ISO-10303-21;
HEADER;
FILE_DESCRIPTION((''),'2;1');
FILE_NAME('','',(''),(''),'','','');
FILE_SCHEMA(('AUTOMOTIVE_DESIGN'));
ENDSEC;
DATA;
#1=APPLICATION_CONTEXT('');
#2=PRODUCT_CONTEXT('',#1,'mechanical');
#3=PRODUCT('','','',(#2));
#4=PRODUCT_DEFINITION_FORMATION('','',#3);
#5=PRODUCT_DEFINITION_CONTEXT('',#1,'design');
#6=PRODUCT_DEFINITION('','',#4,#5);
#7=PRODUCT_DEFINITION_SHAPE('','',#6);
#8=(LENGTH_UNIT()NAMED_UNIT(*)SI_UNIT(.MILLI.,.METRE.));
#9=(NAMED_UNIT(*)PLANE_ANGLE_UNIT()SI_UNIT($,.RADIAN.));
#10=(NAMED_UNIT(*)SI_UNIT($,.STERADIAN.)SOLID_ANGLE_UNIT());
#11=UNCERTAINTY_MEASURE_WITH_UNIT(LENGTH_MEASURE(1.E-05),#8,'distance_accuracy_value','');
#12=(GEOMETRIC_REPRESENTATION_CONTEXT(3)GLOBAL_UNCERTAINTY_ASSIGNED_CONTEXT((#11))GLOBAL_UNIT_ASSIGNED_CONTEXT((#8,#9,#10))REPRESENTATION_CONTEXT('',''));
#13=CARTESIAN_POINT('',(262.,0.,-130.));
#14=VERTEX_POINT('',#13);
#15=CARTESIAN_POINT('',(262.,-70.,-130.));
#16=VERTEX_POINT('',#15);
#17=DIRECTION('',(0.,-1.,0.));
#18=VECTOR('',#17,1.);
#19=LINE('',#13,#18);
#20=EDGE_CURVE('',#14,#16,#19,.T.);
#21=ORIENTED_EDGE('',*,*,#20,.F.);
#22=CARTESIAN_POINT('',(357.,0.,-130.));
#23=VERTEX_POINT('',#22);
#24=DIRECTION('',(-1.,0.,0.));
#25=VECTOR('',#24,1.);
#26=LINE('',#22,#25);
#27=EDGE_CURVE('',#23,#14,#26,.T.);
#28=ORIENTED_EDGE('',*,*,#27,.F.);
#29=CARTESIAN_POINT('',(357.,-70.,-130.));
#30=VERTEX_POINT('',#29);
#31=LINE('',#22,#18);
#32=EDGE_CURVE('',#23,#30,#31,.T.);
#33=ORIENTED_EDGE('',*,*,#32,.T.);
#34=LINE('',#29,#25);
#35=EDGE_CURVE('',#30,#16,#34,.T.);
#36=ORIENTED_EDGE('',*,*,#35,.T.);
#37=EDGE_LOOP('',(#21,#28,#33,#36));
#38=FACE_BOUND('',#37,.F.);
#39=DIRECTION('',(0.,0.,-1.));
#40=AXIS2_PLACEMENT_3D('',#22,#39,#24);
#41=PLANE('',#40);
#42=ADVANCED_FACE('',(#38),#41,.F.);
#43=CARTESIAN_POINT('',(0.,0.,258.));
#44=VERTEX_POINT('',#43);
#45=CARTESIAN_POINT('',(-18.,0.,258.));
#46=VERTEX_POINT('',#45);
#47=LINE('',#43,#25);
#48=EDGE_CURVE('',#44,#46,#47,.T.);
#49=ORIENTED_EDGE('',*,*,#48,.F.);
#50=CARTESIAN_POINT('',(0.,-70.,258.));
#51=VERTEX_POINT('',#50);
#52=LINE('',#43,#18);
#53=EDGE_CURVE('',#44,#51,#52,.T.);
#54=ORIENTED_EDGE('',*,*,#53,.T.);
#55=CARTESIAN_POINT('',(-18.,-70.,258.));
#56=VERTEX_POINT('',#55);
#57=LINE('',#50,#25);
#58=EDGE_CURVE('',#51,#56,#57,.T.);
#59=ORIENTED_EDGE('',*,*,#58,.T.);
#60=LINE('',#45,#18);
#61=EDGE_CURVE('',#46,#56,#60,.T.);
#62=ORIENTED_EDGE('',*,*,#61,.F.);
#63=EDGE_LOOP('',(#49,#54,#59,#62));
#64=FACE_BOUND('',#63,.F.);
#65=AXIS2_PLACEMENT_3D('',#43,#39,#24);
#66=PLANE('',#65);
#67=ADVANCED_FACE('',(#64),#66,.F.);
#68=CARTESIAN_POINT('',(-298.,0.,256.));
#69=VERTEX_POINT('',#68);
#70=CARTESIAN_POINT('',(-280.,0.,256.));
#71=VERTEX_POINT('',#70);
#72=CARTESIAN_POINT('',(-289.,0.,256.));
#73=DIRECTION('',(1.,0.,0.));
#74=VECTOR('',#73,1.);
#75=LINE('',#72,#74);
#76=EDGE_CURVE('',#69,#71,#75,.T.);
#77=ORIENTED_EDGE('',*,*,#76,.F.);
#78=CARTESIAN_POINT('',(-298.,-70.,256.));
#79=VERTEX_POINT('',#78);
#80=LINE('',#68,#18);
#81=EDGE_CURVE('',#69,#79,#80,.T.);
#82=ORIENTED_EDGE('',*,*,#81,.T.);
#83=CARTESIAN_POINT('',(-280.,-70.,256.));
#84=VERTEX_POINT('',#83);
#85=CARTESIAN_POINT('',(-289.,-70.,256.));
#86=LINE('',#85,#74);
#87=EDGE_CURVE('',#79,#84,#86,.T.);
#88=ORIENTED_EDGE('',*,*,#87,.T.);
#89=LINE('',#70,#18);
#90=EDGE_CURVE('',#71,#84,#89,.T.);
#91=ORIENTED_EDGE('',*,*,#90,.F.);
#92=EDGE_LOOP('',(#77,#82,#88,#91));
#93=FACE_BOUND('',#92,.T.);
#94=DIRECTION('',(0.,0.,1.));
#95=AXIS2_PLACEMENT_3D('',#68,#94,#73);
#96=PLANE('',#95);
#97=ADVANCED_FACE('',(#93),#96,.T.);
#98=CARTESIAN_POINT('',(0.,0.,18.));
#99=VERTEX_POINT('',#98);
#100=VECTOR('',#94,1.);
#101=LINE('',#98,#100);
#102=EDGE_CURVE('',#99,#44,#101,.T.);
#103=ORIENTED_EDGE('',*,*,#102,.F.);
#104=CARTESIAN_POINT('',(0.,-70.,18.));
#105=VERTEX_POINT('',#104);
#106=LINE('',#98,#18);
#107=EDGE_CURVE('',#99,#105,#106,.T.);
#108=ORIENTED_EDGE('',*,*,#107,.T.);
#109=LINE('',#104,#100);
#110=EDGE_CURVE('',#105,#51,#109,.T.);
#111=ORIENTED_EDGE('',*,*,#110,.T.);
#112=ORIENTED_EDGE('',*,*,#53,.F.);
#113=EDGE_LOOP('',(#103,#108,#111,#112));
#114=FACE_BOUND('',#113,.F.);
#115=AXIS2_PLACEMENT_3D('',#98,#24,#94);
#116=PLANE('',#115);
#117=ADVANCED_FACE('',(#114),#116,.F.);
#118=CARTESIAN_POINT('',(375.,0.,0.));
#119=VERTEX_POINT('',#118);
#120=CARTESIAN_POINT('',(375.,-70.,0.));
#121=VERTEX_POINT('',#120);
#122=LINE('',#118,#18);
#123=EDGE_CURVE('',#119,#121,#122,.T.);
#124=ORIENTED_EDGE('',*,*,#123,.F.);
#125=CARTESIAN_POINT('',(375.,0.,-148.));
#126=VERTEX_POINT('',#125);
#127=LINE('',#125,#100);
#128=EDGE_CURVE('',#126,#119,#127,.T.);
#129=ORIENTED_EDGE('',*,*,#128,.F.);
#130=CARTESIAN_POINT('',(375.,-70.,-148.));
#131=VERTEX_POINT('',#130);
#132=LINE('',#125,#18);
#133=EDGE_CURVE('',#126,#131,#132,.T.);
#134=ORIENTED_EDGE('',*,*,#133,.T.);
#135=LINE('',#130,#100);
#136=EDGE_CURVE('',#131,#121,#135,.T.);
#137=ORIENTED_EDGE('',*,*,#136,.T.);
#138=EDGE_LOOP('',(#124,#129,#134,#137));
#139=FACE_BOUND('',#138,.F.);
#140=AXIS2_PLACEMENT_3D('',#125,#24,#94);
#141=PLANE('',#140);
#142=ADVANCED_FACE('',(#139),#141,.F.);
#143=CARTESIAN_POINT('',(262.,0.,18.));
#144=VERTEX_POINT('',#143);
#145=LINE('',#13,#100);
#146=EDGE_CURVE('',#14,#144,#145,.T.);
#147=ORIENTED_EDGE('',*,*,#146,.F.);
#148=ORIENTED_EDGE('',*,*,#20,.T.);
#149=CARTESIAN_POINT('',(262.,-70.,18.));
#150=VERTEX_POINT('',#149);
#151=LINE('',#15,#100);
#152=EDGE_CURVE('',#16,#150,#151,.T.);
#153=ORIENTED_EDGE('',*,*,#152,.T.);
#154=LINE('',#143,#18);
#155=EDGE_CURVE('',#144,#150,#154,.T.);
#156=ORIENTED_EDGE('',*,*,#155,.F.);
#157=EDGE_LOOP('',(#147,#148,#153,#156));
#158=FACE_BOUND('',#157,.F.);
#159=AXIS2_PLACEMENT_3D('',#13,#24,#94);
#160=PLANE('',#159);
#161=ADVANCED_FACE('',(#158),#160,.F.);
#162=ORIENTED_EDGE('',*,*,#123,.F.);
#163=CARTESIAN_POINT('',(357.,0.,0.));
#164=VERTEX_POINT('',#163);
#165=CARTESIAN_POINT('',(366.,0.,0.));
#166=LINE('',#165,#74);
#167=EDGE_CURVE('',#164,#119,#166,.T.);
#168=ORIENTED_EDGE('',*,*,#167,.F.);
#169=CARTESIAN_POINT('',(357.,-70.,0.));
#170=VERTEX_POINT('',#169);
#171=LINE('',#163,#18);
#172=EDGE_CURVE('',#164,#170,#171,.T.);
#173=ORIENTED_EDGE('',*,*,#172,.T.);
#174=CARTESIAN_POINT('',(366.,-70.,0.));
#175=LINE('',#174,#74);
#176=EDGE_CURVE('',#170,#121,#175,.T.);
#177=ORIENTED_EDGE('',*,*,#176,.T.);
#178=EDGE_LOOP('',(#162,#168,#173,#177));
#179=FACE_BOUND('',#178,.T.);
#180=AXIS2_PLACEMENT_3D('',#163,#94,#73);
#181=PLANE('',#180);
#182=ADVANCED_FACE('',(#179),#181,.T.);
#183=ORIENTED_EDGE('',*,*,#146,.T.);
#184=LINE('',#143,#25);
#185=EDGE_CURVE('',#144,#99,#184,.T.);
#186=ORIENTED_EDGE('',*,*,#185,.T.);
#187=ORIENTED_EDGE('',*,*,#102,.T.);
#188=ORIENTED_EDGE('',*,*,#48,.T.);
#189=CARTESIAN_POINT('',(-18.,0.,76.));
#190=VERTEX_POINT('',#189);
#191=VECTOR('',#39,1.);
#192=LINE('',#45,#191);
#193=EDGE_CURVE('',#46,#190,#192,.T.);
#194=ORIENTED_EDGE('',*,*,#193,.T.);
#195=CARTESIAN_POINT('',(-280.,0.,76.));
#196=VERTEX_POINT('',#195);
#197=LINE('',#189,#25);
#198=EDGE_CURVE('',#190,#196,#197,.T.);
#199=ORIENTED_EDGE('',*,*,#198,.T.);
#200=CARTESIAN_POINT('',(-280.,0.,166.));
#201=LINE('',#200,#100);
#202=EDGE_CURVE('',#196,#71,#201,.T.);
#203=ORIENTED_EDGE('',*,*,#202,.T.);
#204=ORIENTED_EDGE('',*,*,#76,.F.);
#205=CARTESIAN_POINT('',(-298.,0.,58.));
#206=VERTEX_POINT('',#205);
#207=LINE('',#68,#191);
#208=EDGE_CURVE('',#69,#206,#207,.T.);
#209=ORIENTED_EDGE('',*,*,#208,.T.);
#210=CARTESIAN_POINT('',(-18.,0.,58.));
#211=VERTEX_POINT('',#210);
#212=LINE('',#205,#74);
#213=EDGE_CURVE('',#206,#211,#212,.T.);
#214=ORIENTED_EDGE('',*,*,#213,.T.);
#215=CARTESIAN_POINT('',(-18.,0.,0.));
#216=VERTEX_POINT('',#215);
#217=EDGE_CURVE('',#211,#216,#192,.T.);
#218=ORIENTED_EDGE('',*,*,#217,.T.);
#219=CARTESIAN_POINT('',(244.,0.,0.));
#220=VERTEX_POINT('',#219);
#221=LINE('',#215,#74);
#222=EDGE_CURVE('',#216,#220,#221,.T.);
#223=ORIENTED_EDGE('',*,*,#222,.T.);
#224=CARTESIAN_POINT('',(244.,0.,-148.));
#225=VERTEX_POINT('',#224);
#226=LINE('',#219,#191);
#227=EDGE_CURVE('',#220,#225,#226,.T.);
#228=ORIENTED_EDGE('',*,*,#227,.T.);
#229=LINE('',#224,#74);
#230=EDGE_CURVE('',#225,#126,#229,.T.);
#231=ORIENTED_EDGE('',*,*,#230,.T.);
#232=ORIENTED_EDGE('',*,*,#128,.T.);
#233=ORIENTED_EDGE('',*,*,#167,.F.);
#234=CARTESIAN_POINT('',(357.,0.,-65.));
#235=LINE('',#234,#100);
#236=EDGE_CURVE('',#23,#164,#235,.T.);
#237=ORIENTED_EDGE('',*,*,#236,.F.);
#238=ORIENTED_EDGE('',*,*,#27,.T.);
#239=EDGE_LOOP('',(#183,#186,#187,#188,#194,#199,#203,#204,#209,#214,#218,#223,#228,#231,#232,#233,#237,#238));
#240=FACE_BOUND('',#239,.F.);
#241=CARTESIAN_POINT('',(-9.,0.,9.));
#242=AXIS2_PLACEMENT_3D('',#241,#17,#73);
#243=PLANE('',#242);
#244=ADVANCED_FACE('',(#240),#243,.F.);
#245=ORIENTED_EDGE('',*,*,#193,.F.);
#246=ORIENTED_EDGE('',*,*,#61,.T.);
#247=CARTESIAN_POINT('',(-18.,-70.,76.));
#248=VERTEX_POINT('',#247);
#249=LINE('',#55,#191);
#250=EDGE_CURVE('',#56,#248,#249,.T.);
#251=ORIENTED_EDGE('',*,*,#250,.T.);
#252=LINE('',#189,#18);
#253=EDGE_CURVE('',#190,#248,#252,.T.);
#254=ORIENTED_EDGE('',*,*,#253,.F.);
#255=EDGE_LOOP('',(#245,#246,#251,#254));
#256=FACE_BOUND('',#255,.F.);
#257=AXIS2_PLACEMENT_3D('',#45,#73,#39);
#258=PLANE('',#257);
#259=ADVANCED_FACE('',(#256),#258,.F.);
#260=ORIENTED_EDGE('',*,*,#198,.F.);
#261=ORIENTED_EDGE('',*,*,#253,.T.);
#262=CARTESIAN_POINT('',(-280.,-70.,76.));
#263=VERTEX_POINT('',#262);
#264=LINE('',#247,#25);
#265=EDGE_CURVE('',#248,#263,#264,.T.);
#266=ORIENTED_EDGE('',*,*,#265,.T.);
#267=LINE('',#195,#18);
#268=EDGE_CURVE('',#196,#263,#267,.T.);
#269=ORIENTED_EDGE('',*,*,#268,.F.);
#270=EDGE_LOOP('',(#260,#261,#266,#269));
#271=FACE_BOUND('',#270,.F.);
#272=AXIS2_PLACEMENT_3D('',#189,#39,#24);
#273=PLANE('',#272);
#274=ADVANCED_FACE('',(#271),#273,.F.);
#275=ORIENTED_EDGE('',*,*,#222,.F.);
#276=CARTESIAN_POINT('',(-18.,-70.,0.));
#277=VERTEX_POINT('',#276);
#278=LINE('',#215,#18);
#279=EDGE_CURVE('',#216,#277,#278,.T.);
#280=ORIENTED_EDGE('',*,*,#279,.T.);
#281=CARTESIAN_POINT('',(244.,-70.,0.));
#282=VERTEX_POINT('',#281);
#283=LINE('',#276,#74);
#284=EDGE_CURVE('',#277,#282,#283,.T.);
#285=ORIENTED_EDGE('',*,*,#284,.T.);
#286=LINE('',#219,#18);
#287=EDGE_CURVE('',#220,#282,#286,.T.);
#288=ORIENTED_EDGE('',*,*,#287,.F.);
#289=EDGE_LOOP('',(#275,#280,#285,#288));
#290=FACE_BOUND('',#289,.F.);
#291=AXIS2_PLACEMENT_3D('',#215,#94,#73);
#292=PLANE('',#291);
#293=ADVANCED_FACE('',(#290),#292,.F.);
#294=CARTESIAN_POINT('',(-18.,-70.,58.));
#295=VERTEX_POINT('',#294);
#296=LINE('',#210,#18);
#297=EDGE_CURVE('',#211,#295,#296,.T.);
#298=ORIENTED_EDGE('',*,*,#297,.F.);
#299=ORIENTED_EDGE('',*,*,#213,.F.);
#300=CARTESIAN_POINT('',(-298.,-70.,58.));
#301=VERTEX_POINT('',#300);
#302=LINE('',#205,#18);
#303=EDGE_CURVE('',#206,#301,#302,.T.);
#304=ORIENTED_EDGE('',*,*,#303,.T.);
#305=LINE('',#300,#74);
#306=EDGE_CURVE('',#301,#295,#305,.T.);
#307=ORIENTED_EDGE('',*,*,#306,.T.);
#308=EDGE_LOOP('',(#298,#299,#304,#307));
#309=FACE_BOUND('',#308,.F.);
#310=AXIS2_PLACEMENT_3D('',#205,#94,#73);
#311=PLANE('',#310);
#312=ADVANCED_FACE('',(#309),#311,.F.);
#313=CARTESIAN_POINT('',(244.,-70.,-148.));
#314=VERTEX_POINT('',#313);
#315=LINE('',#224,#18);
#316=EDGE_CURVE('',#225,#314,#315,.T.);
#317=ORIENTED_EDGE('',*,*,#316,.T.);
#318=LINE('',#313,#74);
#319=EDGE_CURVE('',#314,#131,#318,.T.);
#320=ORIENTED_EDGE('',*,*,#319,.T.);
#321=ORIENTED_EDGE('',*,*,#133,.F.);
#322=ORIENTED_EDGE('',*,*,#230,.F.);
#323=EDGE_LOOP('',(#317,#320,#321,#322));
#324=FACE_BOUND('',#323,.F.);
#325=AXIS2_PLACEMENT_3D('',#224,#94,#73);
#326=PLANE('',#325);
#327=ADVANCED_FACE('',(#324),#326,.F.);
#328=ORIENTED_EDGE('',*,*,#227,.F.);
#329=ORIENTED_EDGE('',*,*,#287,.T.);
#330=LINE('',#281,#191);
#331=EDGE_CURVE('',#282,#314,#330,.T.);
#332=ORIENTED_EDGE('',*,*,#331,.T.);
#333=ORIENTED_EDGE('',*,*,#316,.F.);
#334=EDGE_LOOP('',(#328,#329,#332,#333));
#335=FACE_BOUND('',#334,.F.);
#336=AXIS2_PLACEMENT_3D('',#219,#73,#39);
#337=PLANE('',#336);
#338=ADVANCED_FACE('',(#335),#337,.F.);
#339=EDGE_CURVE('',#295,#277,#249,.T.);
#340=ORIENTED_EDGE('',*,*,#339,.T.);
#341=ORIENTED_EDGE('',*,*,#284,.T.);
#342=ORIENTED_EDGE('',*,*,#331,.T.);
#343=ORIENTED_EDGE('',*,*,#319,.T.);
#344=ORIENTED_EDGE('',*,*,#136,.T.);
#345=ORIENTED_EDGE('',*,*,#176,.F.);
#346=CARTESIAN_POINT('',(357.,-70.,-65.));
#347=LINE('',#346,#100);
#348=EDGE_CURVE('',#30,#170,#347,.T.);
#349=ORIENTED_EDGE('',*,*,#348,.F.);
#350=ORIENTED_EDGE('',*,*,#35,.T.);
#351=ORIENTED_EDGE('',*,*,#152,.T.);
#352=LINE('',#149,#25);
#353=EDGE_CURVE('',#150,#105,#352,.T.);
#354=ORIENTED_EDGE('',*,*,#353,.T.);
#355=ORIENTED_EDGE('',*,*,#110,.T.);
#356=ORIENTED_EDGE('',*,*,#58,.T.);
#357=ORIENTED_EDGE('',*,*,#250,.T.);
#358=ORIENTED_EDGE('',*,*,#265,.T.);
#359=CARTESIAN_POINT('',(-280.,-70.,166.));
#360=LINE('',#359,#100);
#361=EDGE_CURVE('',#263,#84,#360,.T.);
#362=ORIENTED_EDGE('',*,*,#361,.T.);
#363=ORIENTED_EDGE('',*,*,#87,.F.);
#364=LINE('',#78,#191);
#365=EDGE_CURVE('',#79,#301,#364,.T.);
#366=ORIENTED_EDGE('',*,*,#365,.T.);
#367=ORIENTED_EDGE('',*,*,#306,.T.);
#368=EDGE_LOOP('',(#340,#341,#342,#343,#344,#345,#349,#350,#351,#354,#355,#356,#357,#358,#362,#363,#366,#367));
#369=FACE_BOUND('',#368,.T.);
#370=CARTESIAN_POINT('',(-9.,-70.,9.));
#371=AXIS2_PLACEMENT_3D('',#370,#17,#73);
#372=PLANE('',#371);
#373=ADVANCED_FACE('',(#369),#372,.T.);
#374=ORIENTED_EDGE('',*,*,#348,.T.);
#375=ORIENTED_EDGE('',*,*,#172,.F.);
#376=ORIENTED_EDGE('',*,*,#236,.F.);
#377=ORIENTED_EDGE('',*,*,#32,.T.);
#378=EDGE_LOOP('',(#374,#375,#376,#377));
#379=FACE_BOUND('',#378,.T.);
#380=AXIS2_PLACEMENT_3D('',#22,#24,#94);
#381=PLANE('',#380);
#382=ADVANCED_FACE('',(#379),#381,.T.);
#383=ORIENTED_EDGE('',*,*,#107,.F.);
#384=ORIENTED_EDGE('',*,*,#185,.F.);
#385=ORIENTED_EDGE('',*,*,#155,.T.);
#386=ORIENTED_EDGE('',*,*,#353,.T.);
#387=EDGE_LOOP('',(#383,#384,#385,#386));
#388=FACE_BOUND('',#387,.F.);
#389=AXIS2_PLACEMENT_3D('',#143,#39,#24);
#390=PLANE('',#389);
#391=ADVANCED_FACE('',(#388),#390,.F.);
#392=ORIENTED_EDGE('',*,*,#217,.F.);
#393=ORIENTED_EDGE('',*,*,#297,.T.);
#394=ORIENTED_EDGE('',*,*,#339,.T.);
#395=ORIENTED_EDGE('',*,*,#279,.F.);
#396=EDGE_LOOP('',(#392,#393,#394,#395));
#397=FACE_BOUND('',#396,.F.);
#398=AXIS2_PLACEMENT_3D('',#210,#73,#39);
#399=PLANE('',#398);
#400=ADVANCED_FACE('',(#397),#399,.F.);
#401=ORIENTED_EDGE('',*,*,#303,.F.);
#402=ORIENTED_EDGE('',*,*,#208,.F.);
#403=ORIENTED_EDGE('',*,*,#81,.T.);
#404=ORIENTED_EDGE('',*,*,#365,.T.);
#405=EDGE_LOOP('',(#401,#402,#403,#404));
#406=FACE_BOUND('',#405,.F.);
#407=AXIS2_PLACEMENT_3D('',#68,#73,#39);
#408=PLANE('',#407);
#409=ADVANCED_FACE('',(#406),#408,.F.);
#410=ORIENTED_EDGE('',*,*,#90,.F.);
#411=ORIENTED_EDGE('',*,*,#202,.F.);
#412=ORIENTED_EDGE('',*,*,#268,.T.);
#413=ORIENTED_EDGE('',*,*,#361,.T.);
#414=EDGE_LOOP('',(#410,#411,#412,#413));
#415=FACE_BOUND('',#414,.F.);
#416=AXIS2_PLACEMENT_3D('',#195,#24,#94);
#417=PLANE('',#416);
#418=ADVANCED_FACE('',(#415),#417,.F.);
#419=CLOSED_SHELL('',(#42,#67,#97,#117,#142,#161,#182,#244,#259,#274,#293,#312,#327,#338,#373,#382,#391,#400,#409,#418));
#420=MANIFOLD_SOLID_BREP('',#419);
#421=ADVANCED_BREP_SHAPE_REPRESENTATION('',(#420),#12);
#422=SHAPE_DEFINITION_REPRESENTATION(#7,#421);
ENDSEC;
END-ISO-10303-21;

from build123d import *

# Parameters (mm, degrees)
F0_W     = 18
F0_H     = 18
F0_H_2   = 130
F0_H_3   = 180
F1_DEPTH = 70


with BuildPart() as f1:
    # F0 (on Front) → F1 (new body)
    with BuildSketch(Plane.XZ):
        with Locations((-9, 9)):
            Rectangle(F0_W, F0_H)
        Polygon((0, 18), (0, 0), (244, 0), (262, 0), (262, 18), align=None)
        Polygon((-18, 18), (0, 18), (0, 258), (-18, 258), (-18, 76), (-18, 66.81706), (-18, 58), align=None)
        with Locations((253, -65)):
            Rectangle(F0_W, F0_H_2)
        Polygon((262, -130), (244, -130), (244, -148), (357, -148), (357, -130), align=None)
        Polygon((-298, 58), (-18, 58), (-18, 66.81706), (-18, 76), (-280, 76), (-298, 76), align=None)
        with Locations((366, -65)):
            Rectangle(F0_W, F0_H_2)
        with Locations((366, -139)):
            Rectangle(F0_W, F0_H)
        with Locations((-289, 166)):
            Rectangle(F0_W, F0_H_3)
    extrude(amount=F1_DEPTH)


solid = f1.part
